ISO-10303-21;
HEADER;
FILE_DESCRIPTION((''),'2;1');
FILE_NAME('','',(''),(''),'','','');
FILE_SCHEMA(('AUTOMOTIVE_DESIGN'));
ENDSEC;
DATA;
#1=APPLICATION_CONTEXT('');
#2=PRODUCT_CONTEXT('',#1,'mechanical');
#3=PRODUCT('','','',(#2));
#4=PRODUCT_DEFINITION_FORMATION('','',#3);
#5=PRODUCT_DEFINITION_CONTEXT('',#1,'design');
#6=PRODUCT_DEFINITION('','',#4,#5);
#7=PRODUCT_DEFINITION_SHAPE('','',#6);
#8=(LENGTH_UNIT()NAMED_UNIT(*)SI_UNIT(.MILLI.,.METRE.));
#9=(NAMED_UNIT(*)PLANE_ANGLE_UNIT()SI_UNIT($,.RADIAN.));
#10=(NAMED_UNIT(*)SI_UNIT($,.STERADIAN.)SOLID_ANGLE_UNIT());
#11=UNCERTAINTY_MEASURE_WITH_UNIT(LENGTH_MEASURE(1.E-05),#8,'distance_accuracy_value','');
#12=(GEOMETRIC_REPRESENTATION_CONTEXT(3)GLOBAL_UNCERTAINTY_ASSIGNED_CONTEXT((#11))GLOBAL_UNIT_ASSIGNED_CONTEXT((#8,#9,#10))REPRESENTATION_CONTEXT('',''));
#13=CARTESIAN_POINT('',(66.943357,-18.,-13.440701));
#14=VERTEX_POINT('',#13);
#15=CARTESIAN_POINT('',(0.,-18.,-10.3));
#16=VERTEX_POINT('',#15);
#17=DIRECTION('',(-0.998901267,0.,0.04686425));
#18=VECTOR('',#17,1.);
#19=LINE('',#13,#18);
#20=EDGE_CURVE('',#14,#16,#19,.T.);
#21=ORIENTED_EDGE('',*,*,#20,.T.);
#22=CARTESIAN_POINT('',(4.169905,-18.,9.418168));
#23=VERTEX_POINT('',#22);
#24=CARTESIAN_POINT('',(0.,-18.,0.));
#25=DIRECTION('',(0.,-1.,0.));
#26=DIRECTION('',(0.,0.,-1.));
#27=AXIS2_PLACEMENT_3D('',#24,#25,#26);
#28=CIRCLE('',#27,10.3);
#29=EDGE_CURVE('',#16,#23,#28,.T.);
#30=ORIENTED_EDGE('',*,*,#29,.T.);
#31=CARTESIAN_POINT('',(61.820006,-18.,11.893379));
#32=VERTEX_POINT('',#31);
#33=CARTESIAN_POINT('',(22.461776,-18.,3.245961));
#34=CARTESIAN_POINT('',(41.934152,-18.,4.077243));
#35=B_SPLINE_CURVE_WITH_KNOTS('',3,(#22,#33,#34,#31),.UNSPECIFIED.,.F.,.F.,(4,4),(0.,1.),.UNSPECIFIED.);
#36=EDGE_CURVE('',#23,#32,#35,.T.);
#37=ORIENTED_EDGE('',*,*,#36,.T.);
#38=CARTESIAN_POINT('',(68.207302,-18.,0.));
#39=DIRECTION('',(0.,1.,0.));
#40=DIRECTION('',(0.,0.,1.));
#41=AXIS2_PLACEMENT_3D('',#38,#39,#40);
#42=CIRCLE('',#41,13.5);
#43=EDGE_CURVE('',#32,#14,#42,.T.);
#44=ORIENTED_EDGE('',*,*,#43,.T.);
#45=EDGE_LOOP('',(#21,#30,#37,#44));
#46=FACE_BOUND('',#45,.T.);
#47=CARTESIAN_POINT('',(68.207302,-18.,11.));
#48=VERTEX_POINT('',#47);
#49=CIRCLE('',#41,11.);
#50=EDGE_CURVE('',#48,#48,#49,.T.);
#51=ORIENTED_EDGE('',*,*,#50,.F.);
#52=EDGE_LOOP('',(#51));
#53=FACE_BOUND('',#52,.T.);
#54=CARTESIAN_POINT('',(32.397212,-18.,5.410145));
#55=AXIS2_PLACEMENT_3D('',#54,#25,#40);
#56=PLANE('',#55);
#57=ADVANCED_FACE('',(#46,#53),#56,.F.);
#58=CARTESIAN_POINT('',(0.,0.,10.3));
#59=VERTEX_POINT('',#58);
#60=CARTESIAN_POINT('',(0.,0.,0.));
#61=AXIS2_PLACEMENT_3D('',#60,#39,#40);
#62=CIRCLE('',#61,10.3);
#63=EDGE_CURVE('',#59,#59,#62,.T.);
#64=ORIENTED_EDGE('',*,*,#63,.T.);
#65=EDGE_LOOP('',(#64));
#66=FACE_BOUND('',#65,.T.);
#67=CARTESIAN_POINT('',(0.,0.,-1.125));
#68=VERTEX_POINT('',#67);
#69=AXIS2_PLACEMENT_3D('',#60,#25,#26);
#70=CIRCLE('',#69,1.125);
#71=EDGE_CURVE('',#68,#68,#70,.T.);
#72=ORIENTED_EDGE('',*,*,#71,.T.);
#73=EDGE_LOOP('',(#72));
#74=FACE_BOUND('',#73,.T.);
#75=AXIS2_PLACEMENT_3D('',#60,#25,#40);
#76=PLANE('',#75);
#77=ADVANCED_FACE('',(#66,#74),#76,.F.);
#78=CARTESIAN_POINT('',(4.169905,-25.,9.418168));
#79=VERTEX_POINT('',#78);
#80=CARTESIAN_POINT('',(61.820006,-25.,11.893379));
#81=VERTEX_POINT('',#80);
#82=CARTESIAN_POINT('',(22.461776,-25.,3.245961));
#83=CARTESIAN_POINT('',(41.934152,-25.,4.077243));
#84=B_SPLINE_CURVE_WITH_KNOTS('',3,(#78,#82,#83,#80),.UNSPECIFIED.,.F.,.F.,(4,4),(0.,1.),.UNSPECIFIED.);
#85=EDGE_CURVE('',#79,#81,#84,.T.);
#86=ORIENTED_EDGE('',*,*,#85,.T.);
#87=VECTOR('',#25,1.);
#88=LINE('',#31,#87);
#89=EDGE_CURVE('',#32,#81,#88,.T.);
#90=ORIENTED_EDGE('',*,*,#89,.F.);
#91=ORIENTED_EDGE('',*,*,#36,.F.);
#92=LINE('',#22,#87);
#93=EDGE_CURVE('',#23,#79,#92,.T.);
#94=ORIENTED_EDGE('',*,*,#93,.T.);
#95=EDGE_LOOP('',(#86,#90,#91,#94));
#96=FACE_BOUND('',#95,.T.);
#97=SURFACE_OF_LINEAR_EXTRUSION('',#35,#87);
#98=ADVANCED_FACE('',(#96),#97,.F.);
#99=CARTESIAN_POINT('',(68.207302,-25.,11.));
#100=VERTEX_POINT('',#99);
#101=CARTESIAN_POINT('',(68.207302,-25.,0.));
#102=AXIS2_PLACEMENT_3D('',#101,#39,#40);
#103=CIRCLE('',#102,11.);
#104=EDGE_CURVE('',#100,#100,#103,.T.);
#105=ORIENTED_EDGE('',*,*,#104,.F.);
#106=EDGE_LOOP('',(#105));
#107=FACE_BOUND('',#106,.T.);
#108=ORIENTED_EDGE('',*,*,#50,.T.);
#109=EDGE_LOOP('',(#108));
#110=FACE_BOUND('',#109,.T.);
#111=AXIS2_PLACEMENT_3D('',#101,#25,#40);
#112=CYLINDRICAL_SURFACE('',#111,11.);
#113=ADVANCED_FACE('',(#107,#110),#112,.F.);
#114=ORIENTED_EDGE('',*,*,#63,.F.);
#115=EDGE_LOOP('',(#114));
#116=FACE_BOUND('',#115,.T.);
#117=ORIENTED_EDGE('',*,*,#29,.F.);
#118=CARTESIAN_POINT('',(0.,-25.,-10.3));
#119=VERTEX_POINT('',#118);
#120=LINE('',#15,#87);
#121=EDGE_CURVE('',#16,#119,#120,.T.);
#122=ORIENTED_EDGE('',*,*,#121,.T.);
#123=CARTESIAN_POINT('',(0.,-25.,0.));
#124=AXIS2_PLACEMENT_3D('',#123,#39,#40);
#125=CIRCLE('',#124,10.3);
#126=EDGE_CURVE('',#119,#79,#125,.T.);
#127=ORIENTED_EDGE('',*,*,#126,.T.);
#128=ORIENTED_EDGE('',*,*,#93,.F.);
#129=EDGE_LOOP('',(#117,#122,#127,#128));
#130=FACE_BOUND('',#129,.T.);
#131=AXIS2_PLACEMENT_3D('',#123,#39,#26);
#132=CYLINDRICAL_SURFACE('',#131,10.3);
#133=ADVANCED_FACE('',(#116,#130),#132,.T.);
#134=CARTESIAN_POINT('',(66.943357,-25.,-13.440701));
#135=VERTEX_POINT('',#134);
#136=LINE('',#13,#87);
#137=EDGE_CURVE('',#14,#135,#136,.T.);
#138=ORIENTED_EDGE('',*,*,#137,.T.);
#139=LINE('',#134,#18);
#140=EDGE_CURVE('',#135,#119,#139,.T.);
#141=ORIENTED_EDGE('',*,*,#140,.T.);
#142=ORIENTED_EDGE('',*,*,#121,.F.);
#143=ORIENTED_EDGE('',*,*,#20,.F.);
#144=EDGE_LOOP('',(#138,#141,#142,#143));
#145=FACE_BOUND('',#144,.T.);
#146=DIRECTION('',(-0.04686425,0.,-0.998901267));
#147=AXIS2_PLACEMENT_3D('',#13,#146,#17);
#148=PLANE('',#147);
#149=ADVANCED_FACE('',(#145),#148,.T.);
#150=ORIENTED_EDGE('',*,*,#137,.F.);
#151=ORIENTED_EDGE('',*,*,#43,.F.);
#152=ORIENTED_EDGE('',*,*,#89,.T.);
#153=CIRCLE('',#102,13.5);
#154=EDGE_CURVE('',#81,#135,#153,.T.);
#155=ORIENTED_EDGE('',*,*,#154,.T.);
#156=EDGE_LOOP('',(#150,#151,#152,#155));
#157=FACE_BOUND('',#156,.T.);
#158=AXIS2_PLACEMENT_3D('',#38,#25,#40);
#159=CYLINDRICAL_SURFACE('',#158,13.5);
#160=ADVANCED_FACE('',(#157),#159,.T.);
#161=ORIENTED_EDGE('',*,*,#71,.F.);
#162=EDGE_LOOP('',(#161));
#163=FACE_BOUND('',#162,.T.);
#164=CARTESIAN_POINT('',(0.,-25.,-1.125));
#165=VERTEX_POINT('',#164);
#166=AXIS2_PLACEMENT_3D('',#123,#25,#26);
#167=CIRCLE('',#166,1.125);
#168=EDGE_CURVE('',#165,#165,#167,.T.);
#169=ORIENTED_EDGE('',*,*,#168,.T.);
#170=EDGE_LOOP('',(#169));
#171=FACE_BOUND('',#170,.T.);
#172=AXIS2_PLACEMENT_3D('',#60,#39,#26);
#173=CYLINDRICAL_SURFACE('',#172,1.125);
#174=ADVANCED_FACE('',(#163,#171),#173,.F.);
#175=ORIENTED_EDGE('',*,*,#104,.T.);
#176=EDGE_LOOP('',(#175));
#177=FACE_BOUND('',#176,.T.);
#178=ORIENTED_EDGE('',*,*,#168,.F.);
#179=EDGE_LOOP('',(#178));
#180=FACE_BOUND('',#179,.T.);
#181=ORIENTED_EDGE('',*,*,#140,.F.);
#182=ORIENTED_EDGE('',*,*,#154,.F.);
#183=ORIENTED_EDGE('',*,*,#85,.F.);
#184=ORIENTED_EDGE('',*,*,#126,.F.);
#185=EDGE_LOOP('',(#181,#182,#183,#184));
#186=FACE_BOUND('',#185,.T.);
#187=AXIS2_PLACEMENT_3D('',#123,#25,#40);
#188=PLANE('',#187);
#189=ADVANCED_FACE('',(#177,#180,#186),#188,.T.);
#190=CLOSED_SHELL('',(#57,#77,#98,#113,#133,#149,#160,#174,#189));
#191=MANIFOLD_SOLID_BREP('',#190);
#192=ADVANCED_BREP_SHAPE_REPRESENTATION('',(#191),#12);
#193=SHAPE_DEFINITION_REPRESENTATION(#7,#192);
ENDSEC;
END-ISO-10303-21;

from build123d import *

# Parameters (mm, degrees)
SZKIC1_R                    = 10.3
DODANIE_WYCI_GNI_CIE1_DEPTH = 25
OTWORY_USTALAJ_CE_2_5MM2_D  = 2.25
DODANIE_WYCI_GNI_CIE3_START = -7
DODANIE_WYCI_GNI_CIE3_DEPTH = 7
OTWORY_USTALAJ_CE_2_5MM3_D  = 22


with BuildPart() as part:
    # Szkic1 → Dodanie-wyciągnięcie1 (new body)
    with BuildSketch(Plane(origin=(0, 0, 0), x_dir=(1, 0, 0), z_dir=(0, 1, 0))):
        with Locations(Location((0, 0, 0), (0, 0, 270))):
            Circle(SZKIC1_R)
    extrude(amount=DODANIE_WYCI_GNI_CIE1_DEPTH)

    # Otwory ustalające Ø2.5mm2 (through all)
    with Locations(Plane.XZ):
        with Locations((0, 0)):
            Hole(OTWORY_USTALAJ_CE_2_5MM2_D / 2)

    # Szkic7 → Dodanie-wyciągnięcie3 (add)
    with BuildSketch(Plane(origin=(0, 25, 0), x_dir=(1, 0, 0), z_dir=(0, 1, 0)).offset(DODANIE_WYCI_GNI_CIE3_START)):
        with BuildLine():
            Line((66.943357066, 13.440701035), (0, 10.3))
            ThreePointArc((0, 10.3), (10.077130906, 2.131063748), (4.169904535, -9.418168408))
            add(Edge.make_bspline(
                [(4.169904535, -9.418168408), (22.461776037, -3.24596138), (41.934151815, -4.077243057), (61.820006497, -11.893378905)],
                knots=[0, 0, 0, 0, 1, 1, 1, 1], degree=3))
            ThreePointArc((61.820006497, -11.893378905), (81.439431711, -2.675954354), (66.943357066, 13.440701035))
        make_face()
    extrude(amount=DODANIE_WYCI_GNI_CIE3_DEPTH)

    # Otwory ustalające Ø2.5mm3 (through all)
    with Locations(Plane(origin=(0, 25, 0), x_dir=(1, 0, 0), z_dir=(0, 1, 0))):
        with Locations((68.207301561, 0)):
            Hole(OTWORY_USTALAJ_CE_2_5MM3_D / 2)


with BuildPart() as body_2:
    # Lustro1: mirrored copy
    add(part.part.mirror(Plane.ZX))


solid = body_2.part
